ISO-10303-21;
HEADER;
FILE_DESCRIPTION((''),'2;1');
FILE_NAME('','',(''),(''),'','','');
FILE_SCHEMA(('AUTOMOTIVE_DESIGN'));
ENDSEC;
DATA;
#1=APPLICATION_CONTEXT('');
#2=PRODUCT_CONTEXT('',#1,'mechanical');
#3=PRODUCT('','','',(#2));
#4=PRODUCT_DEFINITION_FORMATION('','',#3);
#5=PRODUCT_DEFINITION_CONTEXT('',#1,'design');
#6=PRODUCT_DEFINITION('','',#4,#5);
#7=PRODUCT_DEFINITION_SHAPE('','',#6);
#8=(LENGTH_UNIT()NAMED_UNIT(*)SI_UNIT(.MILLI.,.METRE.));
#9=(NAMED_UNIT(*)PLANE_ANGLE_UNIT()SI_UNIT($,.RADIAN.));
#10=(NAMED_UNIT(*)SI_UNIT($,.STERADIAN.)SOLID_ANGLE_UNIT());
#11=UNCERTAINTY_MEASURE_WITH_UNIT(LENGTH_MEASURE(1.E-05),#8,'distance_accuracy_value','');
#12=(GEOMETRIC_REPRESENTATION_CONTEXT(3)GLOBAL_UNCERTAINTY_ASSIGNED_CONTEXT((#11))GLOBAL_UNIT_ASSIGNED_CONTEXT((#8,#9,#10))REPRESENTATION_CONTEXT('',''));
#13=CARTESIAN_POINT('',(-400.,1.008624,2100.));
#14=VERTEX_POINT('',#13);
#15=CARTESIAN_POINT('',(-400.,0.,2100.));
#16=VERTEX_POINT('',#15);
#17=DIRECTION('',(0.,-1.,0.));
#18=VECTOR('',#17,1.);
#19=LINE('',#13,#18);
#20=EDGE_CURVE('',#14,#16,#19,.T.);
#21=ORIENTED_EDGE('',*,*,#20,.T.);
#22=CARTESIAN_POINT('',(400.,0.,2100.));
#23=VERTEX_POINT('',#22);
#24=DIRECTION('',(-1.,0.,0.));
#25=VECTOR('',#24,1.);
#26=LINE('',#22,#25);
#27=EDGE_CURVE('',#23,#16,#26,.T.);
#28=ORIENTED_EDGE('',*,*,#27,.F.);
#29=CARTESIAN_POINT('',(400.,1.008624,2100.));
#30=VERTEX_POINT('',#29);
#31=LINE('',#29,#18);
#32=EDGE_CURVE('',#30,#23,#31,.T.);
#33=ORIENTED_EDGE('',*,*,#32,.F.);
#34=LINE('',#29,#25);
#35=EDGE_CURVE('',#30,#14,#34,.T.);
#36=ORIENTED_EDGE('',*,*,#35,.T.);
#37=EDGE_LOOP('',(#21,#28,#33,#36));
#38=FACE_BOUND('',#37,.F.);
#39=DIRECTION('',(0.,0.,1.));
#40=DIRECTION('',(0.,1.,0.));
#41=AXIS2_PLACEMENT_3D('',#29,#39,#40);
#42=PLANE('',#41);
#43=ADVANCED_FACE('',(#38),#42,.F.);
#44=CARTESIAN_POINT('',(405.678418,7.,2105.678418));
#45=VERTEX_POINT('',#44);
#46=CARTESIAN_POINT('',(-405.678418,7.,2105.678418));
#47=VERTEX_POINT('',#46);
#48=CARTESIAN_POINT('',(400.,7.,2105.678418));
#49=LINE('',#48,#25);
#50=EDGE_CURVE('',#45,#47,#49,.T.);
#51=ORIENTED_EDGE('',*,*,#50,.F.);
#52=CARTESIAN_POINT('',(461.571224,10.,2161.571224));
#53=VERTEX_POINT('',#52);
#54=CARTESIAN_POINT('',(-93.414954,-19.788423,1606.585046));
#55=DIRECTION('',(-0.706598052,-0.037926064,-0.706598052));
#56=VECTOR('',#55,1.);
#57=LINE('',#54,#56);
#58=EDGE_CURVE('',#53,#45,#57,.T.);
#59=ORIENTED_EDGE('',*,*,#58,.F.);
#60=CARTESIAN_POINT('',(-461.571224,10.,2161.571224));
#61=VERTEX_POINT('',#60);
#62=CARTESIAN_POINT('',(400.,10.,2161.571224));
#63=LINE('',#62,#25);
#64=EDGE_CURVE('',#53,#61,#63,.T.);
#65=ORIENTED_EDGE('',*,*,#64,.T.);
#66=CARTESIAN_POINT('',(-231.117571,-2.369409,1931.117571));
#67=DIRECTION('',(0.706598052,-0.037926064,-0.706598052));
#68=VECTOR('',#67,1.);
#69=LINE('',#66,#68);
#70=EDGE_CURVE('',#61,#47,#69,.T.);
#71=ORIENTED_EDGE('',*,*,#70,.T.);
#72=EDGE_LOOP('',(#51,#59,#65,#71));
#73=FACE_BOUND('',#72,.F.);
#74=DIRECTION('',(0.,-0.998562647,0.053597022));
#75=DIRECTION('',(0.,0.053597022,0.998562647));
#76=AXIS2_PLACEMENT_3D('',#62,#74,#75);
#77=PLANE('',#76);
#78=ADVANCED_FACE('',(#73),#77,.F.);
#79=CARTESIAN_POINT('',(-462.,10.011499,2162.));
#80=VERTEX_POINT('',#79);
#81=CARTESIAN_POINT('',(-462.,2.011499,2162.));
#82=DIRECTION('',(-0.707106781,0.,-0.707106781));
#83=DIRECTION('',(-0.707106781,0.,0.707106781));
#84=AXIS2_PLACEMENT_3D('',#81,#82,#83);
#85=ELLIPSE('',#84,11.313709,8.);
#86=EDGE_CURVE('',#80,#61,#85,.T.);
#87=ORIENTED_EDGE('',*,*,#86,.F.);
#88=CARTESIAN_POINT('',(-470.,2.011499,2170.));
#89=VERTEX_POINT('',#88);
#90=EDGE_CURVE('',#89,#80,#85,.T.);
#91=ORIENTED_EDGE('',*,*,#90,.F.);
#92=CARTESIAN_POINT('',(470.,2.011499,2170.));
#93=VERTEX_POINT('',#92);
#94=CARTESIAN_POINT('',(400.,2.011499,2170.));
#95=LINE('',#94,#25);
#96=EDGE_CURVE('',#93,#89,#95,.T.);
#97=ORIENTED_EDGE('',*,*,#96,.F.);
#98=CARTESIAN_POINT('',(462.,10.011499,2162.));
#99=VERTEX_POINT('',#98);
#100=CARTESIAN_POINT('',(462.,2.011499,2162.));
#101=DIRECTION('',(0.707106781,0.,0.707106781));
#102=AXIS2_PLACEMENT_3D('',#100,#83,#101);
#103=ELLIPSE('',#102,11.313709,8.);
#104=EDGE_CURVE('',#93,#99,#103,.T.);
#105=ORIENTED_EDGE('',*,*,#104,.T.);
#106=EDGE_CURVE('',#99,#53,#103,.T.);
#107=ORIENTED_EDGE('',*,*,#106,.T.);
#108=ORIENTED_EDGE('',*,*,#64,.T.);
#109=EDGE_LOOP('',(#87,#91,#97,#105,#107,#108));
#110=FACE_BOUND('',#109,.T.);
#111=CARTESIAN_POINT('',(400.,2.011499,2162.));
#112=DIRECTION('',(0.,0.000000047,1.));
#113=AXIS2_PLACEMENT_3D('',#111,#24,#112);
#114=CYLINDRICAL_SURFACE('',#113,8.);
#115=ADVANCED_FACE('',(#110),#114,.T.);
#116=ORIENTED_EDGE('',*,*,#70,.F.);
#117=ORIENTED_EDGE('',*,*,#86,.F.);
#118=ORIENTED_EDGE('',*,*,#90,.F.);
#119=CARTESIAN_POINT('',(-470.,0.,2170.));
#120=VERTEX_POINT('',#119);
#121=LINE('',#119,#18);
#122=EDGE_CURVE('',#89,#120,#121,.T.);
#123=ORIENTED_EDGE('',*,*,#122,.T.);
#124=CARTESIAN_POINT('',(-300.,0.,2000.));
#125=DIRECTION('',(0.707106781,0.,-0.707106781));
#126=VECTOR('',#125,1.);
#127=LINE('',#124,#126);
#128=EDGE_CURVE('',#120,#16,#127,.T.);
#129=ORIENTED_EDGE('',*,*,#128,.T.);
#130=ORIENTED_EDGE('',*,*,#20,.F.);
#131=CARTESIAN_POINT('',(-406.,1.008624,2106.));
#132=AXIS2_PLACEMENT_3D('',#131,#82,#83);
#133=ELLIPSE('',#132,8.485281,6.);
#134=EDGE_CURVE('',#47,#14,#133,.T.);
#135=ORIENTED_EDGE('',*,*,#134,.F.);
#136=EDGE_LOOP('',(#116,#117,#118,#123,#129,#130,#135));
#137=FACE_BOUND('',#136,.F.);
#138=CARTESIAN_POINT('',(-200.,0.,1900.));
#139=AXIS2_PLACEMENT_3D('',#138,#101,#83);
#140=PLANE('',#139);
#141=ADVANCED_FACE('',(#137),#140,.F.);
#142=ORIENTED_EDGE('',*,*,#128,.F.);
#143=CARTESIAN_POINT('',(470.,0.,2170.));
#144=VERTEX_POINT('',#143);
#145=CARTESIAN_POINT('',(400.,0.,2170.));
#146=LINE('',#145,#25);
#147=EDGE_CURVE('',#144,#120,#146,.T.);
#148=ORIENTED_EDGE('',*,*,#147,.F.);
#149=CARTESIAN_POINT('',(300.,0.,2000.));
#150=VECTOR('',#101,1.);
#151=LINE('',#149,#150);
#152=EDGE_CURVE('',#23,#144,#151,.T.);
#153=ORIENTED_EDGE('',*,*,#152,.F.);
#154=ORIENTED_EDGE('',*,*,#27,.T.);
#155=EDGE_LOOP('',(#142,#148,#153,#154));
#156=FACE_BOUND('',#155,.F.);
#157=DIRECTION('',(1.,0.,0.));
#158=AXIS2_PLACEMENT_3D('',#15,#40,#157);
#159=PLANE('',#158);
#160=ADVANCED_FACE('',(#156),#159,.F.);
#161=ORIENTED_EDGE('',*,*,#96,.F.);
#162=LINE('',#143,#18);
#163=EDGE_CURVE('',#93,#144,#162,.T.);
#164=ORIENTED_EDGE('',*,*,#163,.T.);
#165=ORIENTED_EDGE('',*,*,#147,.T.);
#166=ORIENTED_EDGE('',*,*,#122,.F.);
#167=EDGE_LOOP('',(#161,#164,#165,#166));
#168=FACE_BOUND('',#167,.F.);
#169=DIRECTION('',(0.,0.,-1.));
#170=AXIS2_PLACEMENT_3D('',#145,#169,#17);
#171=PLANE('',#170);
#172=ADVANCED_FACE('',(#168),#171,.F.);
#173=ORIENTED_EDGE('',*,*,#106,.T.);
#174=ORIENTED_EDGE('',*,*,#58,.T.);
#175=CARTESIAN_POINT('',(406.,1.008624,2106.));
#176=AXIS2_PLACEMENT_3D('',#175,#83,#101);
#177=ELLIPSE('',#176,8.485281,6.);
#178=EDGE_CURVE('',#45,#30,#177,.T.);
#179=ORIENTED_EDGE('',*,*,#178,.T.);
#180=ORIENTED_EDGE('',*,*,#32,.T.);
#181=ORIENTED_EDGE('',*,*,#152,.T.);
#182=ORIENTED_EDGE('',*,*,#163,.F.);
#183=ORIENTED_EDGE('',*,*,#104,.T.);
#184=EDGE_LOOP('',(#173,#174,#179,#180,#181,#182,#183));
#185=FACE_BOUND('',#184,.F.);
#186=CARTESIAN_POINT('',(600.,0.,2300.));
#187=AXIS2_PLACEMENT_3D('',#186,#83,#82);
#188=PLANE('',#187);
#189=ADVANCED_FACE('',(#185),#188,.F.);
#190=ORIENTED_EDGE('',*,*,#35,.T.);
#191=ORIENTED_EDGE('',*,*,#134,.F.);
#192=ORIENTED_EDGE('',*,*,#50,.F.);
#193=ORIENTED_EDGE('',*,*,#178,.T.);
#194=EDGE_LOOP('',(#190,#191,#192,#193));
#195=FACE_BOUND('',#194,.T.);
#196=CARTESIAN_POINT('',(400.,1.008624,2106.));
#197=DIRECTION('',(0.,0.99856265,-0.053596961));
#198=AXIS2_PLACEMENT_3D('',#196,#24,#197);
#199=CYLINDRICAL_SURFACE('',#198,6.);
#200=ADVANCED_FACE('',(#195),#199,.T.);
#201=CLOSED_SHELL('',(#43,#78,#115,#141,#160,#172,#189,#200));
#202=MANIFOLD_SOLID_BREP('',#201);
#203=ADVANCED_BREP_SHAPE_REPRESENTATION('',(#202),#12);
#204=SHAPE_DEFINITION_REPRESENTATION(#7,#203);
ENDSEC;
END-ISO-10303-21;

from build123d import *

# Parameters (mm, degrees)
EXTRUDE039434_DEPTH = 500


with BuildPart() as extrude039434_internal_superior:
    # Sketch223 (on Sketch) → Extrude039434 (new body, symmetric)
    with BuildSketch(Plane.XZ):
        Polygon((-600, 2300), (600, 2300), (200, 1900), (-200, 1900), align=None)
    extrude(amount=EXTRUDE039434_DEPTH, both=True)


with BuildPart() as internal_trim_horizontal:
    # Sweep012: sweep along a path in Sketch195
    with BuildLine(Plane.XZ) as sweep012_path:
        Line((-400, 2100), (-400, 0))
        Line((-400, 0), (400, 0))
        Line((400, 0), (400, 2100))
        Line((400, 2100), (-400, 2100))
    # Clone2D028 (on Sketch) → Sweep012 (sweep)
    with BuildSketch(Plane.ZY):
        with BuildLine():
            Line((-61.571224, 10), (-5.678418, 7))
            ThreePointArc((-5.678418, 7), (-1.645147, 5.136003), (0, 1.008624))
            Line((0, 1.008624), (0, 0))
            Line((0, 0), (-70, 0))
            Line((-70, 0), (-70, 2.011499))
            ThreePointArc((-70, 2.011499), (-67.503171, 7.81797), (-61.571224, 10))
        make_face()
    sweep(path=sweep012_path.line, is_frenet=True, transition=Transition.RIGHT)

    # Common001: intersect Extrude039434_Internal_superior_
    add(extrude039434_internal_superior.part, mode=Mode.INTERSECT)


solid = internal_trim_horizontal.part
